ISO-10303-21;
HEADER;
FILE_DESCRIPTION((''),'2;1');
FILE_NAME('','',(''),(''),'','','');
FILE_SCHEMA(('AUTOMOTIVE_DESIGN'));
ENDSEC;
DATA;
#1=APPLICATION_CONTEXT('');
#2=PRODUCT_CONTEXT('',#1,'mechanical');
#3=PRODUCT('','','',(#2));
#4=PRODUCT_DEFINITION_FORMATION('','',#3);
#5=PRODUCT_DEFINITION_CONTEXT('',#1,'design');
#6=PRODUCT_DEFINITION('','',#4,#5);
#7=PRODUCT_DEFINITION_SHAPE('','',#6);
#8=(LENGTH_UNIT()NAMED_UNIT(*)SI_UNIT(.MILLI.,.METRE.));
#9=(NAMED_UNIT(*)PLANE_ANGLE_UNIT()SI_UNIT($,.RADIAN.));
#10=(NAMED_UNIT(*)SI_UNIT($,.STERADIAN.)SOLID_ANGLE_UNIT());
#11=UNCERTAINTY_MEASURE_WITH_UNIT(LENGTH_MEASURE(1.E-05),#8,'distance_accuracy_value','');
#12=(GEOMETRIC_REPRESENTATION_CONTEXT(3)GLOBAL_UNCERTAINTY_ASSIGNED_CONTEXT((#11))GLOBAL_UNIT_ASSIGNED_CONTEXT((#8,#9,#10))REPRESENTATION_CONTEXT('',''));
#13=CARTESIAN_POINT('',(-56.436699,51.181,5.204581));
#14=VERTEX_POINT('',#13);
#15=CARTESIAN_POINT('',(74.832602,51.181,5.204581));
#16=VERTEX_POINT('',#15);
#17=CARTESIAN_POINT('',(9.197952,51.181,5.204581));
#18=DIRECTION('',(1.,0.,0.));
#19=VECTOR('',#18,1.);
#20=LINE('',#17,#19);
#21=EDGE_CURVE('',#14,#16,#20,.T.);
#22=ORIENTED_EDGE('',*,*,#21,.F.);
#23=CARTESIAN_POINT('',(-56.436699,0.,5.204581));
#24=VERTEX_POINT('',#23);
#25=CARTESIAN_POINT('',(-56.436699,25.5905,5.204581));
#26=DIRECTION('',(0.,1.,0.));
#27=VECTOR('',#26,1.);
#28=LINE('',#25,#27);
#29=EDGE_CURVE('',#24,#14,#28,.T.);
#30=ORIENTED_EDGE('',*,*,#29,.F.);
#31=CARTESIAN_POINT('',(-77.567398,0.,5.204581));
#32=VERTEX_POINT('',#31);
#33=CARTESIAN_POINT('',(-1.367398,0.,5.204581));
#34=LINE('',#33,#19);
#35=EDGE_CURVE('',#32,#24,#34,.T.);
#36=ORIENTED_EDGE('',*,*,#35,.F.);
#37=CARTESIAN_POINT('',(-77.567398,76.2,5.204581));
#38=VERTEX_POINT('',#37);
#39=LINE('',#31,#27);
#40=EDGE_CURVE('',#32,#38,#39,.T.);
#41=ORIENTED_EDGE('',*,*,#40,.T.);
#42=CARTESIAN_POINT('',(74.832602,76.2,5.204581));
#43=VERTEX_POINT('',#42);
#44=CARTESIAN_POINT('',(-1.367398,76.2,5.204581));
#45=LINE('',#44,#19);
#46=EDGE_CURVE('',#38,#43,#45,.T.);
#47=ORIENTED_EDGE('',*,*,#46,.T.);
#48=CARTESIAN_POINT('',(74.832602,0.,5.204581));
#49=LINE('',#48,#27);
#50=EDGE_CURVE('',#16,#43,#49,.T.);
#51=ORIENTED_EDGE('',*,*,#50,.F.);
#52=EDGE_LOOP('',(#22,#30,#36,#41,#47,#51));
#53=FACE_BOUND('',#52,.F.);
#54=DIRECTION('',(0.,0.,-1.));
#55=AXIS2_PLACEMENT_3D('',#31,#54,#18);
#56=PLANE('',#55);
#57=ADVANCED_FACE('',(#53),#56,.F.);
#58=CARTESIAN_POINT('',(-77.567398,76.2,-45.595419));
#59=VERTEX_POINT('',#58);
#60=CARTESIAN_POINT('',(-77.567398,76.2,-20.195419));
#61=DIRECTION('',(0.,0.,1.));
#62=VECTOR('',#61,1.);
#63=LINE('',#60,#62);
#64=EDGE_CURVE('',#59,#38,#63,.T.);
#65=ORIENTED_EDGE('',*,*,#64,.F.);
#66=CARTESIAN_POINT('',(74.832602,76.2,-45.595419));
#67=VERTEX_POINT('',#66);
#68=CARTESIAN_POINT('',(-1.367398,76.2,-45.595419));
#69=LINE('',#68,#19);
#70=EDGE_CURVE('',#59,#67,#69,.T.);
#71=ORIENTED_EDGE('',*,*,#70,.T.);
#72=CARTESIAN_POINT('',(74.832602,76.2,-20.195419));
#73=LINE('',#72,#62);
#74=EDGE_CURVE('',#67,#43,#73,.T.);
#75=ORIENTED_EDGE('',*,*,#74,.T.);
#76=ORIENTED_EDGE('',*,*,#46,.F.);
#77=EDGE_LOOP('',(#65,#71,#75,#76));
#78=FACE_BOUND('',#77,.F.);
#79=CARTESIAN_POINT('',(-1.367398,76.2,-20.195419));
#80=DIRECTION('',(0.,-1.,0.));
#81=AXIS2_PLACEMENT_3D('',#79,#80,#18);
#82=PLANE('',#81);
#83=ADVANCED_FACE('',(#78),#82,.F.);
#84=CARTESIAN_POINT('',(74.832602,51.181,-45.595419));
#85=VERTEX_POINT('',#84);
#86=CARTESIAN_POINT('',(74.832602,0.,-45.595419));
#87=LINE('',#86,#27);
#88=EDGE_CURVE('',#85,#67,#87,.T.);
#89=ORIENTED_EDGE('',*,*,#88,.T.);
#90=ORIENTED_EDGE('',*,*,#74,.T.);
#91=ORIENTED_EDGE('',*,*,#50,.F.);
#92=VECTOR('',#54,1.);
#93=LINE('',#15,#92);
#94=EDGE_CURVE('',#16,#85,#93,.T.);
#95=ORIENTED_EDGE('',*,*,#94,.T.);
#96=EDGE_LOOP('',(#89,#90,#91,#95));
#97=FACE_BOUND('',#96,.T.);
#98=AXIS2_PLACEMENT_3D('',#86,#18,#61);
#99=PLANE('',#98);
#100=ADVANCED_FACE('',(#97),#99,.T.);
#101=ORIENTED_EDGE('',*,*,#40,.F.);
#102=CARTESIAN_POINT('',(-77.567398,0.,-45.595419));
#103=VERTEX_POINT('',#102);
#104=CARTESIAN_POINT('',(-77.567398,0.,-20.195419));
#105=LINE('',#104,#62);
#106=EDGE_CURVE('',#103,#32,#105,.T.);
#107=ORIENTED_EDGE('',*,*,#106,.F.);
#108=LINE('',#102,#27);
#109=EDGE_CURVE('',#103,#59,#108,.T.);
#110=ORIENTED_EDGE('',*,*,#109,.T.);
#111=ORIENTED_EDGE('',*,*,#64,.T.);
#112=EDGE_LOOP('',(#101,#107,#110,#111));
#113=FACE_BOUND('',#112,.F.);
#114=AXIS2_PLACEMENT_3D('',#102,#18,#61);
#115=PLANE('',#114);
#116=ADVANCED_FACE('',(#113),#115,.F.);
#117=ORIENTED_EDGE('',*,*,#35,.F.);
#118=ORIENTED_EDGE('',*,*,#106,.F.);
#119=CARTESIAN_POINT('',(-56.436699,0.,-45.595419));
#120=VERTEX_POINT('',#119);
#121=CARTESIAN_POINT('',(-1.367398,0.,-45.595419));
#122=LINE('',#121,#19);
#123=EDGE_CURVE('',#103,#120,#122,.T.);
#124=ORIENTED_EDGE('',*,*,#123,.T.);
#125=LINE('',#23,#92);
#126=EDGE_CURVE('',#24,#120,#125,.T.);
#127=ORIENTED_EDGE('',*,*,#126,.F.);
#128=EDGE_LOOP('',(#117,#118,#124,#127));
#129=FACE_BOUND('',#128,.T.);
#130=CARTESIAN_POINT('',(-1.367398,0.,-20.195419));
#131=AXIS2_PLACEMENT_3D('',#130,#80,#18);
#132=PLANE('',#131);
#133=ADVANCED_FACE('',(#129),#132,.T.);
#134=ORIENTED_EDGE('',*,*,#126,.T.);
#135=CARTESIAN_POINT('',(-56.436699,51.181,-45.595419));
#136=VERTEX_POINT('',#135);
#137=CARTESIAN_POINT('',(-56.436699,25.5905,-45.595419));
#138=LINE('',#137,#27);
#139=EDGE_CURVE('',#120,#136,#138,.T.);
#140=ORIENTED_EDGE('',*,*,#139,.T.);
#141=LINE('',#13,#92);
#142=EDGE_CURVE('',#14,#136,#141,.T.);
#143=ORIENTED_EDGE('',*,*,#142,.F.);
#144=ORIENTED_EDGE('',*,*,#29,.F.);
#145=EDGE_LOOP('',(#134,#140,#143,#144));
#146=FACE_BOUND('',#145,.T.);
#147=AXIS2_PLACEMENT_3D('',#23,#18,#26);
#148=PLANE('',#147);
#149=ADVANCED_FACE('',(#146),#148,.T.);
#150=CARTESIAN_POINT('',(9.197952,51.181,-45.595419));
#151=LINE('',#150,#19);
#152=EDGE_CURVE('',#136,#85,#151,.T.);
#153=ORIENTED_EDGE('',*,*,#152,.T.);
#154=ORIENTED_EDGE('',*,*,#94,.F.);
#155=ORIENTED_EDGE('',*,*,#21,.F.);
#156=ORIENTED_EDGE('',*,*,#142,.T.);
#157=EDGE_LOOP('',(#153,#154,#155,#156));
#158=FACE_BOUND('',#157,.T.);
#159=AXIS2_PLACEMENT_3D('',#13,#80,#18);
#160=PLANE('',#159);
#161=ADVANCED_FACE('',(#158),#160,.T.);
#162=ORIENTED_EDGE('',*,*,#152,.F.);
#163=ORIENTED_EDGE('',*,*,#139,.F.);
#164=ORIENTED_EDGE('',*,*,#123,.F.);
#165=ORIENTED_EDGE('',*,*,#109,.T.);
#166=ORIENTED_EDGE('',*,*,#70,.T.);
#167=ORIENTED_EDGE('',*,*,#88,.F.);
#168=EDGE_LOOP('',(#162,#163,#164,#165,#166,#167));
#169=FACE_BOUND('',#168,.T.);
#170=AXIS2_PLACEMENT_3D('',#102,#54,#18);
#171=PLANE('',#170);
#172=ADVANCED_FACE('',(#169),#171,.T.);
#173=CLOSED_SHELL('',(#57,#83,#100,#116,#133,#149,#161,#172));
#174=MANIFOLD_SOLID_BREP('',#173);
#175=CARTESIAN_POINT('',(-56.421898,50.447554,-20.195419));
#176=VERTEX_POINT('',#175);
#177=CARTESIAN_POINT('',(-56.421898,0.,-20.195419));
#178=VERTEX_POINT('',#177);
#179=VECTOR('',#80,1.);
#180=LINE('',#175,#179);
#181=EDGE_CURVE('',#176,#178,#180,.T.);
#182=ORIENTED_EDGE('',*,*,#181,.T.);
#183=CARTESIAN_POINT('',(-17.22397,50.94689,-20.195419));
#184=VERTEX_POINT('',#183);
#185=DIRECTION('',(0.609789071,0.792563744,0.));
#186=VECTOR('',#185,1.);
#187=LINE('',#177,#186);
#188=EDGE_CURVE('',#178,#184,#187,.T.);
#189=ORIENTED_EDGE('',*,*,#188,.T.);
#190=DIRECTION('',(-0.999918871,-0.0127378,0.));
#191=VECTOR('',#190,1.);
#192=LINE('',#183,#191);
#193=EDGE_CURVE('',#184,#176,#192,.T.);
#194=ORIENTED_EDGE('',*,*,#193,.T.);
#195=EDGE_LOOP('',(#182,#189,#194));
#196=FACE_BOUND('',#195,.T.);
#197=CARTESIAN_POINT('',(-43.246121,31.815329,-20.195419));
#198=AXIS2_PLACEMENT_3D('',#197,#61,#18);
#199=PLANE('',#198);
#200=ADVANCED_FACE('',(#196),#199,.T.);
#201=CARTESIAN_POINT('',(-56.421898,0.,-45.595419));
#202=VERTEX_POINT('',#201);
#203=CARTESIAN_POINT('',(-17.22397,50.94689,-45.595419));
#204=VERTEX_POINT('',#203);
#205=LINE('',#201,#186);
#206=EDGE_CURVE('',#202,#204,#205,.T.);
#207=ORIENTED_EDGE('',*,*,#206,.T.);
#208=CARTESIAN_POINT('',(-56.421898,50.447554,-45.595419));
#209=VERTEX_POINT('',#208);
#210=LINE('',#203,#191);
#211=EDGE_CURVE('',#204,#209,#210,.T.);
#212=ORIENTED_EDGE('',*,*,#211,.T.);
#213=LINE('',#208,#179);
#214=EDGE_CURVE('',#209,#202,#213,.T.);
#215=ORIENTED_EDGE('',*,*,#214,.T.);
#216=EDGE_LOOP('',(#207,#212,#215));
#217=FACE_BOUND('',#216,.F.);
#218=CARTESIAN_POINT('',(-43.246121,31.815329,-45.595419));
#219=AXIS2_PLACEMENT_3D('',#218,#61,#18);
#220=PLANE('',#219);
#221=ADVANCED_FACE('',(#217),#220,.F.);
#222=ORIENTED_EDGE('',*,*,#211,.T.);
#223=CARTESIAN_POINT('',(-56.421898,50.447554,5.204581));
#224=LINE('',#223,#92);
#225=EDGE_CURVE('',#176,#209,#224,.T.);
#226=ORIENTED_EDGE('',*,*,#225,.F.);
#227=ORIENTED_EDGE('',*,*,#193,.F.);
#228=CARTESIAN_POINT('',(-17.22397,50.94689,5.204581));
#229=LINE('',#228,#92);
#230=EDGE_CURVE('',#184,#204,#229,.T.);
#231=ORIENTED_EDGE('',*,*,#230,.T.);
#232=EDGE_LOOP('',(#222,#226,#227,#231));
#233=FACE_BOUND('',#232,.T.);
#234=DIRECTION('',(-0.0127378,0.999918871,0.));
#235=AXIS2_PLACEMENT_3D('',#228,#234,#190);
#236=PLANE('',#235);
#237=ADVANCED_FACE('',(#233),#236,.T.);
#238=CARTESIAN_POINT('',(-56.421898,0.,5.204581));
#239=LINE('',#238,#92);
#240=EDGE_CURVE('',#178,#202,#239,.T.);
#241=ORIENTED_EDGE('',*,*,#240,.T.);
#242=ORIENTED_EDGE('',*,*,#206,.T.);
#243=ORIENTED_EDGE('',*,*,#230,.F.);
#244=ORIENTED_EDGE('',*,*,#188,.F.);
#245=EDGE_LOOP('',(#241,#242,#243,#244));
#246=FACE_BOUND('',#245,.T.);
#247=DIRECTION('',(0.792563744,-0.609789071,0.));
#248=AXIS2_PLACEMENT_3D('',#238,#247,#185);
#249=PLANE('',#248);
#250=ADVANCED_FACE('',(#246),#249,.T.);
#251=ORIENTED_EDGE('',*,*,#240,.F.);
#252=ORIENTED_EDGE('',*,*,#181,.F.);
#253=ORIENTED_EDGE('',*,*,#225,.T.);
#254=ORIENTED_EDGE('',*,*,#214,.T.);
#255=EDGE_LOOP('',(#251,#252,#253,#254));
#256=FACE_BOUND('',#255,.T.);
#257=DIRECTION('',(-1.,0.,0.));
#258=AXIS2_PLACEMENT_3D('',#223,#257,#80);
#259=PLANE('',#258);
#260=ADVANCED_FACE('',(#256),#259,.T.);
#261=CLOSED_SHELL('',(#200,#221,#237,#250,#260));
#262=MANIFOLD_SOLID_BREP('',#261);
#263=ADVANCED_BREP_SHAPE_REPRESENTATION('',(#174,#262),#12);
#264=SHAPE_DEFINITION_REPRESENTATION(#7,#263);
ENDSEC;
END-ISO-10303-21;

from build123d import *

# Parameters (mm, degrees)
F0_W     = 152.4
F0_H     = 50.8
F1_DEPTH = 76.2
F2_W     = 131.2693012774
F2_H     = 51.1809997261
F3_DEPTH = 50.8
F6_DEPTH = 50.8
F7_DEPTH = 25.4


with BuildPart() as f1:
    # F0 (on Front) → F1 (new body)
    with BuildSketch(Plane.XZ):
        with Locations((-1.3673976064, -20.1954185038)):
            Rectangle(F0_W, F0_H)
    extrude(amount=-F1_DEPTH)

    # F2 (on face) → F3 (cut)
    with BuildSketch(Plane.XY.offset(5.2045814962)):
        with Locations((9.1979517549, 25.590499863)):
            Rectangle(F2_W, F2_H)
    extrude(amount=-F3_DEPTH, mode=Mode.SUBTRACT)


with BuildPart() as f6:
    # F5 (on face) → F6 (new body)
    with BuildSketch(Plane.XY.offset(5.2045814962)):
        Polygon((-56.4218983054, 0), (-17.2239702284, 50.9468898916), (-56.4218983054, 50.4475539979), align=None)
    extrude(amount=-F6_DEPTH)

    # F7 (cut): a face of the model
    f7_faces = [f6.faces().sort_by_distance(p)[0] for p in [
        (-43.3559222797, 33.7981479632, 5.2045814962),
    ]]
    extrude(f7_faces, amount=-F7_DEPTH, mode=Mode.SUBTRACT)


solid = Compound([f1.part, f6.part])
